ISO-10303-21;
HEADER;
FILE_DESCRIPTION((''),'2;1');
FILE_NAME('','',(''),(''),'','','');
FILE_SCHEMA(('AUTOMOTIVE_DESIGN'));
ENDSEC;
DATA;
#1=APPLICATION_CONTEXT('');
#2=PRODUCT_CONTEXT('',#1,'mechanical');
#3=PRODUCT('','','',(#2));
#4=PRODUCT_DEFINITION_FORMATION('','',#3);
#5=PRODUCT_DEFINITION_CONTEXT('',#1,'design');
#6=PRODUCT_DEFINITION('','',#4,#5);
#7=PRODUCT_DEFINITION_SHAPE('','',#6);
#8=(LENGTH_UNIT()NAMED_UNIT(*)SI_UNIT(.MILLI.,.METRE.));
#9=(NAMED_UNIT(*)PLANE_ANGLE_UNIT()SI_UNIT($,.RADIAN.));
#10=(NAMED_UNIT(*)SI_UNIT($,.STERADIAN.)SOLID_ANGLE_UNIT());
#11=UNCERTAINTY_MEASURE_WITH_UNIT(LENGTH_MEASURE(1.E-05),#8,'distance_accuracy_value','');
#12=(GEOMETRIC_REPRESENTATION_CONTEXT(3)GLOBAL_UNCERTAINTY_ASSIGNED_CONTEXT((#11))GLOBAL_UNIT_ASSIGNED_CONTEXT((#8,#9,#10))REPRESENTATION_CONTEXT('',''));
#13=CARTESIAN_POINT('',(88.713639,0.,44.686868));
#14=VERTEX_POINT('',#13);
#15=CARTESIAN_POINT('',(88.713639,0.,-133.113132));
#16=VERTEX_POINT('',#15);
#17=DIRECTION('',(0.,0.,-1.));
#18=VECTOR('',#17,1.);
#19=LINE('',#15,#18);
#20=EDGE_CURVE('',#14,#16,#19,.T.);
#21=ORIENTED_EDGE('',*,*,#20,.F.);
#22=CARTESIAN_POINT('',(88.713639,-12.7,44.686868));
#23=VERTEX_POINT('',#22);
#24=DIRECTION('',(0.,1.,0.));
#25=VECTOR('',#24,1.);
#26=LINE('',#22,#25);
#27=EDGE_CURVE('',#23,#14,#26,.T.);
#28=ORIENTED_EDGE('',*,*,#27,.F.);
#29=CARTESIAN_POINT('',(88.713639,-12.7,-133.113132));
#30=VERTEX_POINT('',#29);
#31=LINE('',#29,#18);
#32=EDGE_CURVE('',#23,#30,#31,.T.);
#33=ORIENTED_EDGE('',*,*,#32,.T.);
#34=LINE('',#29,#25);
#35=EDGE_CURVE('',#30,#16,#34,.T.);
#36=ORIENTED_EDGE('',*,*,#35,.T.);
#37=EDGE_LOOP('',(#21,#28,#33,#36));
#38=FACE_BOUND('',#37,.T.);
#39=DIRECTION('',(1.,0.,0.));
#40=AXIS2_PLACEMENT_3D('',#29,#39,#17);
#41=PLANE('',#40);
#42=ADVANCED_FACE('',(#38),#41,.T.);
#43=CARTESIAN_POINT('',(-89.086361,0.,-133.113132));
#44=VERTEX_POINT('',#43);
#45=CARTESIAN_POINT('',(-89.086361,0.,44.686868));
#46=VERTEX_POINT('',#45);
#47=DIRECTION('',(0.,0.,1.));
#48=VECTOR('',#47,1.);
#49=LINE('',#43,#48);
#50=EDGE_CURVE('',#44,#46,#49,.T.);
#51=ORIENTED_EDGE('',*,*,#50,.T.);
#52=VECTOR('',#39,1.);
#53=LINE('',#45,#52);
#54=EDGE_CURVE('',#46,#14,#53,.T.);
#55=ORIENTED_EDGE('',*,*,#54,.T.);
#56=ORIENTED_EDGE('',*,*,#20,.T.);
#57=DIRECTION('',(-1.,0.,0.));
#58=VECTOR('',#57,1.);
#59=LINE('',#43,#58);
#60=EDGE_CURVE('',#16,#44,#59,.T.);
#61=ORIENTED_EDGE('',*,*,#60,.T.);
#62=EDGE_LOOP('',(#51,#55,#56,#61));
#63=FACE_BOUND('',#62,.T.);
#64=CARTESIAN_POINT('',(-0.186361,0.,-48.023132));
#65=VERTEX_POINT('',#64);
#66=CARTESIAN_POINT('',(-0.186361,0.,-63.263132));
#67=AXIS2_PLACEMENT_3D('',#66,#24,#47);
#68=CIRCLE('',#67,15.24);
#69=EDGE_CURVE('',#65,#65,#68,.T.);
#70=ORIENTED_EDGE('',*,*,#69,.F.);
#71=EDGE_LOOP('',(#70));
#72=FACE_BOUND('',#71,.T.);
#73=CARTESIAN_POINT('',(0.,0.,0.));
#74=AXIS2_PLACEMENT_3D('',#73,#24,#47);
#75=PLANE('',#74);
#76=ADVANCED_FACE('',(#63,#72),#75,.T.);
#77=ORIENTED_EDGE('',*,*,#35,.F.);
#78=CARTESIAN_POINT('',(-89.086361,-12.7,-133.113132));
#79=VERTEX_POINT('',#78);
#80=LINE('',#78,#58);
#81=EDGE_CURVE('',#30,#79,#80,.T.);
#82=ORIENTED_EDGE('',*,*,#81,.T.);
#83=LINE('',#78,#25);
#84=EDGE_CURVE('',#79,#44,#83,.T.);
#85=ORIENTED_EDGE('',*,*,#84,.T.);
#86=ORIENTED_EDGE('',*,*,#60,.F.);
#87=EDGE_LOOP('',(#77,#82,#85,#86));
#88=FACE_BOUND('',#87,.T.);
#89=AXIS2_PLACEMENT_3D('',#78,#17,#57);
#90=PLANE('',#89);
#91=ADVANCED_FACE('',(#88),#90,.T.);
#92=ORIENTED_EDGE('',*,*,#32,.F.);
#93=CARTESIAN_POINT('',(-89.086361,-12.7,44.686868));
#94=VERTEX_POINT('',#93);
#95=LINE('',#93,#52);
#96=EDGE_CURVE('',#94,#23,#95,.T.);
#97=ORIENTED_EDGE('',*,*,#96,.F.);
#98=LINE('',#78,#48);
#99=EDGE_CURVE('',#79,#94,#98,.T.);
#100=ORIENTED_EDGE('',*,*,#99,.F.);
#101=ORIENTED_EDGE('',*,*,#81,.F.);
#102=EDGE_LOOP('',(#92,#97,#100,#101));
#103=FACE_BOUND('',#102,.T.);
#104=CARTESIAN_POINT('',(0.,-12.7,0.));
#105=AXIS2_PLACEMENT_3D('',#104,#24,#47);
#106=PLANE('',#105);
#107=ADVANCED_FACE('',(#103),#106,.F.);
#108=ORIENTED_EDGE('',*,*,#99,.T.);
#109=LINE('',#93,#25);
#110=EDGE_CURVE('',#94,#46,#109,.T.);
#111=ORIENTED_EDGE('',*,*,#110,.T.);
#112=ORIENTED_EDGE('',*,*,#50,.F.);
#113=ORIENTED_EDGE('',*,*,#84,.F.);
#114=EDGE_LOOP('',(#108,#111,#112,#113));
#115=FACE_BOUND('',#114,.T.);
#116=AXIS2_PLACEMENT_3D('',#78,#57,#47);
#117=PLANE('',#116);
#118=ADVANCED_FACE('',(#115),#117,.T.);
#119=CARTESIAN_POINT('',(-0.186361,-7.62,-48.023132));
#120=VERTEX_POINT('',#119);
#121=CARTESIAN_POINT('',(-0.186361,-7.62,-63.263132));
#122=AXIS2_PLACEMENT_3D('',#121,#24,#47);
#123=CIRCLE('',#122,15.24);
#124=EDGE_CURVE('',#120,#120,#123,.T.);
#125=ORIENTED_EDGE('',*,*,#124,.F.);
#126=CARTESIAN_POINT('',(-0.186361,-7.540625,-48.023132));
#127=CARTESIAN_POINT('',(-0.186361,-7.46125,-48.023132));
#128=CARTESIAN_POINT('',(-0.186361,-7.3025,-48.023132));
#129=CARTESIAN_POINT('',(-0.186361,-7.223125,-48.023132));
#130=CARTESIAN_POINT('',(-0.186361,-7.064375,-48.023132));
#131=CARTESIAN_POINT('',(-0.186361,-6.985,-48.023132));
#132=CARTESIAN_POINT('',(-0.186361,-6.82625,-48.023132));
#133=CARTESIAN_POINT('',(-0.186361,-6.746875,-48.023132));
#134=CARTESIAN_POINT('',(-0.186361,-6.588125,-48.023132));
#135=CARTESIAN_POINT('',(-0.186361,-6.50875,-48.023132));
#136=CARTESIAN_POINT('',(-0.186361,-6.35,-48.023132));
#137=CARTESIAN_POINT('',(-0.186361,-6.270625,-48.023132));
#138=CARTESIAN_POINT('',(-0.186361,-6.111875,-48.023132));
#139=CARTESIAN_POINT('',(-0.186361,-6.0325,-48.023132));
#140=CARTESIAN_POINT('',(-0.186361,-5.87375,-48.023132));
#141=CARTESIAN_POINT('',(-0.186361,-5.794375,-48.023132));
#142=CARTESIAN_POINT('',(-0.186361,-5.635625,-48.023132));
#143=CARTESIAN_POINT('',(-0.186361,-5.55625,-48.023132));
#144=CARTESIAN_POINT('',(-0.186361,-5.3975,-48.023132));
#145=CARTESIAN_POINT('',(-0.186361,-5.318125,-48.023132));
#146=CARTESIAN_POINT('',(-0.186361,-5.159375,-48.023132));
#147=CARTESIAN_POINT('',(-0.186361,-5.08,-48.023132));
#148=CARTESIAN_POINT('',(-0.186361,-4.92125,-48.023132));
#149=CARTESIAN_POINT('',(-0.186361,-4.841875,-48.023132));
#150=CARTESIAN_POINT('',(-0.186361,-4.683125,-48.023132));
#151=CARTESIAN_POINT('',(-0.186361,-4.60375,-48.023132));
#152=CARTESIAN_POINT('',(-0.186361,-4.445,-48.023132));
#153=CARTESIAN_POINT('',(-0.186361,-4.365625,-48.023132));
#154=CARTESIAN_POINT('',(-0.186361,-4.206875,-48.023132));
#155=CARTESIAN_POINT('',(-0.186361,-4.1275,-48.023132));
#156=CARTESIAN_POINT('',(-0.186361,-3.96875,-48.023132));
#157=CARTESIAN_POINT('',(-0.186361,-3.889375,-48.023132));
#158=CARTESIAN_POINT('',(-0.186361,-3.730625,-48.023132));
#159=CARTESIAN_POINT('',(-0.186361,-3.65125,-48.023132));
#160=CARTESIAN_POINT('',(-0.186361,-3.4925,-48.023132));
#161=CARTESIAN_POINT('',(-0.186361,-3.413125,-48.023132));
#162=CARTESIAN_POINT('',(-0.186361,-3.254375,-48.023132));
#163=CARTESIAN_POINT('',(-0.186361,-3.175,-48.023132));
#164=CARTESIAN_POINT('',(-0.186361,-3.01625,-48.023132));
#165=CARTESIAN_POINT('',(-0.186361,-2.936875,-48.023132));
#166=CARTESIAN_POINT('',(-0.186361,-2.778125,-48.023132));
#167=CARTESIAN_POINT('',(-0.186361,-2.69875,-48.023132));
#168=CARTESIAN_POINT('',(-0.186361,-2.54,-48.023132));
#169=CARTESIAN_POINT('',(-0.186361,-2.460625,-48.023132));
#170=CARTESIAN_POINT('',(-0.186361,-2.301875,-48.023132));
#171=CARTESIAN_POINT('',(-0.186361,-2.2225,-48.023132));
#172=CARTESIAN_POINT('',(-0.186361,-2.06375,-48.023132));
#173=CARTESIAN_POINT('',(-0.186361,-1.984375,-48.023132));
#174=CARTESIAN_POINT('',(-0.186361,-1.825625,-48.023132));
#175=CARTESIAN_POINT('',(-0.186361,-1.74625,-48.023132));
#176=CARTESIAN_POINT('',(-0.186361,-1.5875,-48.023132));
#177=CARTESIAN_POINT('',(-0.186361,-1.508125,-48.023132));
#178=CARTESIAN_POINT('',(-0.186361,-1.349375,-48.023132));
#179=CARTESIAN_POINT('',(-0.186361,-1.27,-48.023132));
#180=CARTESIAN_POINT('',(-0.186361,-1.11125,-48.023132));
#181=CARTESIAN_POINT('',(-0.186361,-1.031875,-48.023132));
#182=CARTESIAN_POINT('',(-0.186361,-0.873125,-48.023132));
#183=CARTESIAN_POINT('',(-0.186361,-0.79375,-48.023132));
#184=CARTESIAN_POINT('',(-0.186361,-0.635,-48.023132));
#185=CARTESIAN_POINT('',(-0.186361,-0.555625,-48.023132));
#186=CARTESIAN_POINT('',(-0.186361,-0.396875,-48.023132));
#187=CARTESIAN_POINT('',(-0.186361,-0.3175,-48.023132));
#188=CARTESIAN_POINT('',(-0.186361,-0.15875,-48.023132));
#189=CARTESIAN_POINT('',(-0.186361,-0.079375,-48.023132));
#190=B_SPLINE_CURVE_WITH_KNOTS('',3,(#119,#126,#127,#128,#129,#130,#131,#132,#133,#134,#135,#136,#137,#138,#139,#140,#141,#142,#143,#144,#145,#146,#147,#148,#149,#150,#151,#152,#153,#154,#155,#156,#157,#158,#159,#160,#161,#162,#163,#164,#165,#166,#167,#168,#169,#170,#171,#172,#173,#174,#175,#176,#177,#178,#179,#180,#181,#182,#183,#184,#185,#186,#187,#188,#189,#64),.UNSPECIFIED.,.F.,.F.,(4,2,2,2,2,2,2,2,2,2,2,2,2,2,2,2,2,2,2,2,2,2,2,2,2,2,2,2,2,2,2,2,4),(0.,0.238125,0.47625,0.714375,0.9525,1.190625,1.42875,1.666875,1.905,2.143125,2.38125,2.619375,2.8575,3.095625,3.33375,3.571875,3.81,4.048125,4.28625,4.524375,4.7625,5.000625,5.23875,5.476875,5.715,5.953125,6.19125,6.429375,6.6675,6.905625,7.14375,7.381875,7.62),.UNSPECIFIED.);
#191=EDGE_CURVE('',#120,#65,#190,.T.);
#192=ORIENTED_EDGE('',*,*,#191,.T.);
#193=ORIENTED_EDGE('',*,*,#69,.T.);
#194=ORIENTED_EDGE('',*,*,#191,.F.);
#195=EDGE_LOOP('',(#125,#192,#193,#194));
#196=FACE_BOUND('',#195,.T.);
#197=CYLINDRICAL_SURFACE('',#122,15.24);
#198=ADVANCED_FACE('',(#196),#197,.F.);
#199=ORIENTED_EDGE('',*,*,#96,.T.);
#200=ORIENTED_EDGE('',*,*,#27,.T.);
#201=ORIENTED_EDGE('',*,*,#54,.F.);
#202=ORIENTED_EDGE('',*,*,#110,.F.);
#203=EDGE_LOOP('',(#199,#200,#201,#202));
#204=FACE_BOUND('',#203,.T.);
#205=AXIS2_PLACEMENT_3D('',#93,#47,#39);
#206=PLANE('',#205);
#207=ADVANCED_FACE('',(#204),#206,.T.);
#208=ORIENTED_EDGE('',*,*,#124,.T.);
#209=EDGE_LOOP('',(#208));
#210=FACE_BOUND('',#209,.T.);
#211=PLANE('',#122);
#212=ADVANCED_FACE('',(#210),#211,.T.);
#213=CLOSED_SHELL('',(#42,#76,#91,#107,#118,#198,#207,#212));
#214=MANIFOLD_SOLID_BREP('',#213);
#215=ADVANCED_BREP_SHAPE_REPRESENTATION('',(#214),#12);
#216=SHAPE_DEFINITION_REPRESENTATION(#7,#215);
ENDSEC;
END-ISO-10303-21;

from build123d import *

# Parameters (mm, degrees)
SKETCH1_W           = 177.8
SKETCH1_H           = 177.8
BOSS_EXTRUDE1_DEPTH = 12.7
SKETCH2_R           = 15.24
CUT_EXTRUDE1_DEPTH  = 7.62


with BuildPart() as part:
    # Sketch1 → Boss-Extrude1 (new body)
    with BuildSketch(Plane(origin=(0, 0, 0), x_dir=(1, 0, 0), z_dir=(0, 1, 0))):
        with Locations((-0.186360549, 44.213132047)):
            Rectangle(SKETCH1_W, SKETCH1_H)
    extrude(amount=-BOSS_EXTRUDE1_DEPTH)

    # Sketch2 → Cut-Extrude1 (cut)
    with BuildSketch(Plane(origin=(0, 0, 0), x_dir=(1, 0, 0), z_dir=(0, 1, 0))):
        with Locations(Location((-0.186360549, 63.263132047, 0), (0, 0, 270))):
            Circle(SKETCH2_R)
    extrude(amount=-CUT_EXTRUDE1_DEPTH, mode=Mode.SUBTRACT)


solid = part.part
